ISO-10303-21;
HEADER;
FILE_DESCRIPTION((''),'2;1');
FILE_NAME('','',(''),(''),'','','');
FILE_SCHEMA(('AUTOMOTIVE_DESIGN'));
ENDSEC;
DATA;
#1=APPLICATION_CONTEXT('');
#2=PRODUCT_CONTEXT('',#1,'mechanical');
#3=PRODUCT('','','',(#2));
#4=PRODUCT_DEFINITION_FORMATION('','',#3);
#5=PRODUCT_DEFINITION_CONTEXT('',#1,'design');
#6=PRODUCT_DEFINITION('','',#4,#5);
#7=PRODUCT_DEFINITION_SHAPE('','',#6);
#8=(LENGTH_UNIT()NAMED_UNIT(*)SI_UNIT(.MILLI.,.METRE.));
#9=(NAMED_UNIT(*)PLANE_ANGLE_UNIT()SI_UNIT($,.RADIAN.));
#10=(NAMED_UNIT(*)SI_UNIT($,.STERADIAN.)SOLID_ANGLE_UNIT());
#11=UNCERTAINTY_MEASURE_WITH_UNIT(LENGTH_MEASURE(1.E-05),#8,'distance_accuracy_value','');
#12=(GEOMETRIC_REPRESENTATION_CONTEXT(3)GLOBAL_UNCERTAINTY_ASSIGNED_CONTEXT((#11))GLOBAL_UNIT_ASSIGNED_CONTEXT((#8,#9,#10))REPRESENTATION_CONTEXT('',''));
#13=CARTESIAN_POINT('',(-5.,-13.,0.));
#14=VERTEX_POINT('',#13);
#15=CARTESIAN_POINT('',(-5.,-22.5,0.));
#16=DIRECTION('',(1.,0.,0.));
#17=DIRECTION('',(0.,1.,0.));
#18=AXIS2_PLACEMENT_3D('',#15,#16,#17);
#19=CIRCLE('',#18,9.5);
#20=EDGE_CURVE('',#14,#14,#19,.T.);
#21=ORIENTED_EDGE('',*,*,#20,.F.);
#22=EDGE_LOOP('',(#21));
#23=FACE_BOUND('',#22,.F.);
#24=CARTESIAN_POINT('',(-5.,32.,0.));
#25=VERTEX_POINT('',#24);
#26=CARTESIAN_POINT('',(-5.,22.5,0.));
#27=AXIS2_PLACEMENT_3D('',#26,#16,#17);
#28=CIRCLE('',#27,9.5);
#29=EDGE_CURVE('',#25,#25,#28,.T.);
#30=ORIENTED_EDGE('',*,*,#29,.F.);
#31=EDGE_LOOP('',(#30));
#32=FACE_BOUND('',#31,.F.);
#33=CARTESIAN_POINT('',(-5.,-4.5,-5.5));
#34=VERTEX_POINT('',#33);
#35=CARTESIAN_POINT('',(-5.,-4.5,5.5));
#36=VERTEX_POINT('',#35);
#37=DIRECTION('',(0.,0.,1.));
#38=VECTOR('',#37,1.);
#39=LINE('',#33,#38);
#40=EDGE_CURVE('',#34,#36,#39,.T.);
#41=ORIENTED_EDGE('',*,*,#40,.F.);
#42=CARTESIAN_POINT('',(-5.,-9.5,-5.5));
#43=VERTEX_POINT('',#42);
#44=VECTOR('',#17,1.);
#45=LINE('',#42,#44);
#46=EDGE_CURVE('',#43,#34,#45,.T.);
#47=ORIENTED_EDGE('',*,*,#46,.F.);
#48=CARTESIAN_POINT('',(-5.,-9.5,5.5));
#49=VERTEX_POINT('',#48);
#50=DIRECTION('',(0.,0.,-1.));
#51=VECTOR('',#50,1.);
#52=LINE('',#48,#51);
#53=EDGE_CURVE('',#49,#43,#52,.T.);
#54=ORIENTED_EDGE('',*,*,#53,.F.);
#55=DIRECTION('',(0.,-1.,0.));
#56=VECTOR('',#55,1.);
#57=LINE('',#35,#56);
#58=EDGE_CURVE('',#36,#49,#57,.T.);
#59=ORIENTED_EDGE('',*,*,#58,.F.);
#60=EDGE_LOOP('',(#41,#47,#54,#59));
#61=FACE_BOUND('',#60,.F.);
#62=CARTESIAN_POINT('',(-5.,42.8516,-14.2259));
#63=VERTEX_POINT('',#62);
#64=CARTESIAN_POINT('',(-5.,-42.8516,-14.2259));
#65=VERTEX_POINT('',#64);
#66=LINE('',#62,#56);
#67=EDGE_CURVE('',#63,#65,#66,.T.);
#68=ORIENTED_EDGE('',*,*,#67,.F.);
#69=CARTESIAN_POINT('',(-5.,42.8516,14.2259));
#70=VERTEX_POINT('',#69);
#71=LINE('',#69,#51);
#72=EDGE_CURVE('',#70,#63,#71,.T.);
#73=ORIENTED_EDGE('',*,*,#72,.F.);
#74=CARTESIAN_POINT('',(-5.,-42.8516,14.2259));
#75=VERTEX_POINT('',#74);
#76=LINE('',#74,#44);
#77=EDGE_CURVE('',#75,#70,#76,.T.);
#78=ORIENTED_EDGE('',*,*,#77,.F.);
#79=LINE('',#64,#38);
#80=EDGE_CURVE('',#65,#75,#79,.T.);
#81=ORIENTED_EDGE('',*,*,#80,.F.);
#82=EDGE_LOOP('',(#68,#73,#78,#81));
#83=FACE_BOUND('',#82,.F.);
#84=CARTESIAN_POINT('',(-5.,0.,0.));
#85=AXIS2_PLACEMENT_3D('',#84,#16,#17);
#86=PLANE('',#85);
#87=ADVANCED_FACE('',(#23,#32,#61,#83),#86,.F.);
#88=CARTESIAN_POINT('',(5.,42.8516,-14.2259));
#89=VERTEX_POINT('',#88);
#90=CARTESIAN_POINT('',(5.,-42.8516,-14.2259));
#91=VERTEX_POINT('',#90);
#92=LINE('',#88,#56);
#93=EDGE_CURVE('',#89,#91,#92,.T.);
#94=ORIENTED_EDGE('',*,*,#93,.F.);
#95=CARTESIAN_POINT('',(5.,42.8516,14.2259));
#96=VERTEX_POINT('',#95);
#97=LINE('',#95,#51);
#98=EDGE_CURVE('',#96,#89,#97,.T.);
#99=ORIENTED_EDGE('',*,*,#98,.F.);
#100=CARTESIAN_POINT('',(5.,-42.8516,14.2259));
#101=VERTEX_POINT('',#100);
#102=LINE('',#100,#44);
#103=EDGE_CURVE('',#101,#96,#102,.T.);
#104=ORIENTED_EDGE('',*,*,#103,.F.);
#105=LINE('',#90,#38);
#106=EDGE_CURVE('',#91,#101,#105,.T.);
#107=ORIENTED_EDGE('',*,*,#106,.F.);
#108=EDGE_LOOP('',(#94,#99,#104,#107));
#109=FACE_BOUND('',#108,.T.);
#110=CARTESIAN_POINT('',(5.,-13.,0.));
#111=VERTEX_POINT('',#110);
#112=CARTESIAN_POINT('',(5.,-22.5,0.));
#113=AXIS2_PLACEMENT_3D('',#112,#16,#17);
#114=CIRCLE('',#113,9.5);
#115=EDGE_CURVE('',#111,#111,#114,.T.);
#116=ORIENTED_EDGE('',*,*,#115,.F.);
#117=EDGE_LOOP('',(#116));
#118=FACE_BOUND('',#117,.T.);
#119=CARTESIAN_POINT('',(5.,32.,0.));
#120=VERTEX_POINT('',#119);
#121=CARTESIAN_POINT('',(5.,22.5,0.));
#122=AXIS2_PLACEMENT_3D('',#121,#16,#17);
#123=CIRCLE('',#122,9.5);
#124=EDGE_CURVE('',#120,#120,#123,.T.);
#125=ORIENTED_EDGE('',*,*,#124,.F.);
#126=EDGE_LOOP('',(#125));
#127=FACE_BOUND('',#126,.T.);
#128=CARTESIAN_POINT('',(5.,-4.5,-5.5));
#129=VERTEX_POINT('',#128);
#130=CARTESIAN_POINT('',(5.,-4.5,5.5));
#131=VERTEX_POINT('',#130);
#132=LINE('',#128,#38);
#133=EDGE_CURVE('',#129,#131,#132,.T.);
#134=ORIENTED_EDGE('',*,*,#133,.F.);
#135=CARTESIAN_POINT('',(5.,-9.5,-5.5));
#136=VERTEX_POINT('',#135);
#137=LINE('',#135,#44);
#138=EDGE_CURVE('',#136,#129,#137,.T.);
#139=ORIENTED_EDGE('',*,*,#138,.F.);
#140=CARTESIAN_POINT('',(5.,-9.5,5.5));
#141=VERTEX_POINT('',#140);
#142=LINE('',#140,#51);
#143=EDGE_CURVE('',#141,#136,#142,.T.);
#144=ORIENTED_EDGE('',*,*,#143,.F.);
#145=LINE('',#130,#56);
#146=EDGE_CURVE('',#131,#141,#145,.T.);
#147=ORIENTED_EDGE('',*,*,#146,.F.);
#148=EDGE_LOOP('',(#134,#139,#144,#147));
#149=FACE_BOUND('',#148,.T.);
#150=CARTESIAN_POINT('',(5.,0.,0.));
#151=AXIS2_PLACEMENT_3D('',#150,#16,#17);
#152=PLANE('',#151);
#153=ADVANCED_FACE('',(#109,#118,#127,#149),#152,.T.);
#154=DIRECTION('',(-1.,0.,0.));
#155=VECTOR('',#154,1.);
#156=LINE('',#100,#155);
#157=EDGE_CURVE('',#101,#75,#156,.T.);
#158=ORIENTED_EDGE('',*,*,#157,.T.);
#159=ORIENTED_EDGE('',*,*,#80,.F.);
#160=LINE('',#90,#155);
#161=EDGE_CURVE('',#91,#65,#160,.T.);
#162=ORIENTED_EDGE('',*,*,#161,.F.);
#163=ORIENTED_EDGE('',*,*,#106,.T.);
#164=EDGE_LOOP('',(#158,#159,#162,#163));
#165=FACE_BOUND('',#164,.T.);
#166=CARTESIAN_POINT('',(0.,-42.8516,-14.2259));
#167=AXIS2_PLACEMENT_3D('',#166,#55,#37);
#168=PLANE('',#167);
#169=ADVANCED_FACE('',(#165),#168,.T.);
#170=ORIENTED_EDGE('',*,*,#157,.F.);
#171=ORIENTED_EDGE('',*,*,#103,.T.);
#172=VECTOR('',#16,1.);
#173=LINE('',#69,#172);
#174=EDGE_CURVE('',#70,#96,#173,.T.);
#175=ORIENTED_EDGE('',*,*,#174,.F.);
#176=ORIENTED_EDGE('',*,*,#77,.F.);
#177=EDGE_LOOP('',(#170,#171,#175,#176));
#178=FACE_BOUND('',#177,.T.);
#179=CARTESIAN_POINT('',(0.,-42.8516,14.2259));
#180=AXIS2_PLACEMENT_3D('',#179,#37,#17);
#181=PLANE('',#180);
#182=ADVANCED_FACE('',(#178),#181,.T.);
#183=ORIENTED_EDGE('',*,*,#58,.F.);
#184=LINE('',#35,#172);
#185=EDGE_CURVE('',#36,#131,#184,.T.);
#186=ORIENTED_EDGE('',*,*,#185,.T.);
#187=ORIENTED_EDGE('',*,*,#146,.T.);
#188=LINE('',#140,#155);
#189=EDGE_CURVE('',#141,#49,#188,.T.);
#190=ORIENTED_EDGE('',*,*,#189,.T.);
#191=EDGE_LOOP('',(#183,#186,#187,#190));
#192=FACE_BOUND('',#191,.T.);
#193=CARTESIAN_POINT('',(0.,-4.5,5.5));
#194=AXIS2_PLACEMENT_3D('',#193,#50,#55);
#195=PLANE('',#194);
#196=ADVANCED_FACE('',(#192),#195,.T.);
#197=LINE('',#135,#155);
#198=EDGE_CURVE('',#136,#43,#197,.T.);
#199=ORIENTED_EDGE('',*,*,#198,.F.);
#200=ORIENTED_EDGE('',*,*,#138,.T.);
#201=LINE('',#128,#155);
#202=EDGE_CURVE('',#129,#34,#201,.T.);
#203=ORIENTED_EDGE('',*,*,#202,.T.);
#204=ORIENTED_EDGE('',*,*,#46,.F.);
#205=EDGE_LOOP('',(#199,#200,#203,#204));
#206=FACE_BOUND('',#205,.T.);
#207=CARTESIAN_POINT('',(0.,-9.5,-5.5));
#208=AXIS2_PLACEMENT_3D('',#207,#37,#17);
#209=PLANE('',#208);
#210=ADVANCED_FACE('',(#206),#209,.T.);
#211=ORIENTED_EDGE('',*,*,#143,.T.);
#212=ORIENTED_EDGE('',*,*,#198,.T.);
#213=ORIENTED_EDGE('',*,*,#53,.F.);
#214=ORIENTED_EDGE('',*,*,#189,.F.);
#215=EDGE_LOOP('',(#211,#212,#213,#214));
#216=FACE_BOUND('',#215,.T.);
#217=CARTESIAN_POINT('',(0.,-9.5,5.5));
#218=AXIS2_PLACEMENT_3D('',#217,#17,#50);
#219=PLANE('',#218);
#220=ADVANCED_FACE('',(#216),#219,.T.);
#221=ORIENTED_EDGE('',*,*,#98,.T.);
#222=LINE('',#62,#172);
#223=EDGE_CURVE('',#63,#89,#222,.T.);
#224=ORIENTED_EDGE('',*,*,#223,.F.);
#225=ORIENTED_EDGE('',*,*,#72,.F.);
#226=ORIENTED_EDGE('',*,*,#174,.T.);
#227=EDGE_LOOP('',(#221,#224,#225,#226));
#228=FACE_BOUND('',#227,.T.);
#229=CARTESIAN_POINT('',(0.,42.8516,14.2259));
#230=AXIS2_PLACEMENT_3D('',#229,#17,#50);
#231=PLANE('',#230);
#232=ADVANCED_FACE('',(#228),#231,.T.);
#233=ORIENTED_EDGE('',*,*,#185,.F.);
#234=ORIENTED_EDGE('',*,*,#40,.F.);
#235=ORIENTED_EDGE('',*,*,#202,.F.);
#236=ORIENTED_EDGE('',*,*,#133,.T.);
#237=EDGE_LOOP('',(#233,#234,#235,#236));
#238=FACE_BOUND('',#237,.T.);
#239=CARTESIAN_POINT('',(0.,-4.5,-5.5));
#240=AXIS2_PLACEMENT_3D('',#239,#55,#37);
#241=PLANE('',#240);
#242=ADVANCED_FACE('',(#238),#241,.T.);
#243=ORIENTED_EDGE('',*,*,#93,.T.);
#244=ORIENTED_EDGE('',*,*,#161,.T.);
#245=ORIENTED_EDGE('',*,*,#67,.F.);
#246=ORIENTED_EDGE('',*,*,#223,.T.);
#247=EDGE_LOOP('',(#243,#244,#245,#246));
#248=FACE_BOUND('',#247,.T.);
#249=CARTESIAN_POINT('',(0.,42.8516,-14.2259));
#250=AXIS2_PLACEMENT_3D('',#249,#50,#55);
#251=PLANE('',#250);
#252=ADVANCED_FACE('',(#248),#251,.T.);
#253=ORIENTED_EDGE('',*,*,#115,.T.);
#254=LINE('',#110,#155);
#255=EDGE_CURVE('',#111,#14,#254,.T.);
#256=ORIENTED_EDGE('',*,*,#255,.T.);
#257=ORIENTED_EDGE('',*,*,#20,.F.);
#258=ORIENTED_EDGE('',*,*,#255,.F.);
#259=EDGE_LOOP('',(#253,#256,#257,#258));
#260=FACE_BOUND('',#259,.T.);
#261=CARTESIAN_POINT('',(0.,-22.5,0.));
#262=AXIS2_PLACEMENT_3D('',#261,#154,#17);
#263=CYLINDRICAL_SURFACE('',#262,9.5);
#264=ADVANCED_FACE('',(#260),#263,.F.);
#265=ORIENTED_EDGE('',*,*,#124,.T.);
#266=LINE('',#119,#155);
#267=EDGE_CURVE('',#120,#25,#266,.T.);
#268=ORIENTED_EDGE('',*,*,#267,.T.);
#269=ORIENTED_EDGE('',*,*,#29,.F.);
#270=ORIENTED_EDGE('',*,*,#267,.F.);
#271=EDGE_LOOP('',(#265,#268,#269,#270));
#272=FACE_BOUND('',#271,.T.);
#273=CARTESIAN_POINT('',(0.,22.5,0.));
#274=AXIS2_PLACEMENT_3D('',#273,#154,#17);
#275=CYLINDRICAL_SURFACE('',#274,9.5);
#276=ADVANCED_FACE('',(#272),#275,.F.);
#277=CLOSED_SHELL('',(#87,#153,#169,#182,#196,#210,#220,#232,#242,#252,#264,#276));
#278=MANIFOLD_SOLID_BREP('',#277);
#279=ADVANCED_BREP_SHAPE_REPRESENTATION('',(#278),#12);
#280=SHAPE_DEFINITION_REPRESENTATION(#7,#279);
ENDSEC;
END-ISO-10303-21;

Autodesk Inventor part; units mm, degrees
ref_plane "UpperRodPlane" through (0, 22.5, 0) normal (0, 1, 0) x (-1, 0, 0)
ref_plane "LowerRodPlane" through (0, -22.5, 0) normal (0, 1, 0) x (-1, 0, 0)
ref_plane "RearClearancePlane" through (0, 0, -11) normal (0, 0, 1) x (1, 0, 0)
sketch "Sketch1" plane through (0, 0, 0) normal (1, 0, 0) x (0, 1, 0)
  circle A0 centre (22.5, 0) radius 9.5
  circle A1 centre (-22.5, 0) radius 9.5
  line L0 (-4.5, 5.5) -> (-9.5, 5.5)
  line L1 (-9.5, 5.5) -> (-9.5, -5.5)
  line L2 (-9.5, -5.5) -> (-4.5, -5.5)
  line L3 (-4.5, -5.5) -> (-4.5, 5.5)
  line L4 (-4.5, 5.5) -> (-9.5, -5.5) construction
  line L5 (-9.5, 5.5) -> (-4.5, -5.5) construction
  line L6 (42.8516, -14.2259) -> (-42.8516, -14.2259)
  line L7 (-42.8516, -14.2259) -> (-42.8516, 14.2259)
  line L8 (-42.8516, 14.2259) -> (42.8516, 14.2259)
  line L9 (42.8516, 14.2259) -> (42.8516, -14.2259)
  line L10 (42.8516, -14.2259) -> (-42.8516, 14.2259) construction
  line L11 (-42.8516, -14.2259) -> (42.8516, 14.2259) construction
  point P0 (0, 0)
  point P1 (-7, 0)
  dimension "d3" = 19
  dimension "d4" = 19
  dimension "d5" = 11
  dimension "d6" = 13
  dimension "d7" = 27
extrude "Extrusion1" add sketch "Sketch1" along normal mid plane 10
properties part number "E-Axis v2.0"
